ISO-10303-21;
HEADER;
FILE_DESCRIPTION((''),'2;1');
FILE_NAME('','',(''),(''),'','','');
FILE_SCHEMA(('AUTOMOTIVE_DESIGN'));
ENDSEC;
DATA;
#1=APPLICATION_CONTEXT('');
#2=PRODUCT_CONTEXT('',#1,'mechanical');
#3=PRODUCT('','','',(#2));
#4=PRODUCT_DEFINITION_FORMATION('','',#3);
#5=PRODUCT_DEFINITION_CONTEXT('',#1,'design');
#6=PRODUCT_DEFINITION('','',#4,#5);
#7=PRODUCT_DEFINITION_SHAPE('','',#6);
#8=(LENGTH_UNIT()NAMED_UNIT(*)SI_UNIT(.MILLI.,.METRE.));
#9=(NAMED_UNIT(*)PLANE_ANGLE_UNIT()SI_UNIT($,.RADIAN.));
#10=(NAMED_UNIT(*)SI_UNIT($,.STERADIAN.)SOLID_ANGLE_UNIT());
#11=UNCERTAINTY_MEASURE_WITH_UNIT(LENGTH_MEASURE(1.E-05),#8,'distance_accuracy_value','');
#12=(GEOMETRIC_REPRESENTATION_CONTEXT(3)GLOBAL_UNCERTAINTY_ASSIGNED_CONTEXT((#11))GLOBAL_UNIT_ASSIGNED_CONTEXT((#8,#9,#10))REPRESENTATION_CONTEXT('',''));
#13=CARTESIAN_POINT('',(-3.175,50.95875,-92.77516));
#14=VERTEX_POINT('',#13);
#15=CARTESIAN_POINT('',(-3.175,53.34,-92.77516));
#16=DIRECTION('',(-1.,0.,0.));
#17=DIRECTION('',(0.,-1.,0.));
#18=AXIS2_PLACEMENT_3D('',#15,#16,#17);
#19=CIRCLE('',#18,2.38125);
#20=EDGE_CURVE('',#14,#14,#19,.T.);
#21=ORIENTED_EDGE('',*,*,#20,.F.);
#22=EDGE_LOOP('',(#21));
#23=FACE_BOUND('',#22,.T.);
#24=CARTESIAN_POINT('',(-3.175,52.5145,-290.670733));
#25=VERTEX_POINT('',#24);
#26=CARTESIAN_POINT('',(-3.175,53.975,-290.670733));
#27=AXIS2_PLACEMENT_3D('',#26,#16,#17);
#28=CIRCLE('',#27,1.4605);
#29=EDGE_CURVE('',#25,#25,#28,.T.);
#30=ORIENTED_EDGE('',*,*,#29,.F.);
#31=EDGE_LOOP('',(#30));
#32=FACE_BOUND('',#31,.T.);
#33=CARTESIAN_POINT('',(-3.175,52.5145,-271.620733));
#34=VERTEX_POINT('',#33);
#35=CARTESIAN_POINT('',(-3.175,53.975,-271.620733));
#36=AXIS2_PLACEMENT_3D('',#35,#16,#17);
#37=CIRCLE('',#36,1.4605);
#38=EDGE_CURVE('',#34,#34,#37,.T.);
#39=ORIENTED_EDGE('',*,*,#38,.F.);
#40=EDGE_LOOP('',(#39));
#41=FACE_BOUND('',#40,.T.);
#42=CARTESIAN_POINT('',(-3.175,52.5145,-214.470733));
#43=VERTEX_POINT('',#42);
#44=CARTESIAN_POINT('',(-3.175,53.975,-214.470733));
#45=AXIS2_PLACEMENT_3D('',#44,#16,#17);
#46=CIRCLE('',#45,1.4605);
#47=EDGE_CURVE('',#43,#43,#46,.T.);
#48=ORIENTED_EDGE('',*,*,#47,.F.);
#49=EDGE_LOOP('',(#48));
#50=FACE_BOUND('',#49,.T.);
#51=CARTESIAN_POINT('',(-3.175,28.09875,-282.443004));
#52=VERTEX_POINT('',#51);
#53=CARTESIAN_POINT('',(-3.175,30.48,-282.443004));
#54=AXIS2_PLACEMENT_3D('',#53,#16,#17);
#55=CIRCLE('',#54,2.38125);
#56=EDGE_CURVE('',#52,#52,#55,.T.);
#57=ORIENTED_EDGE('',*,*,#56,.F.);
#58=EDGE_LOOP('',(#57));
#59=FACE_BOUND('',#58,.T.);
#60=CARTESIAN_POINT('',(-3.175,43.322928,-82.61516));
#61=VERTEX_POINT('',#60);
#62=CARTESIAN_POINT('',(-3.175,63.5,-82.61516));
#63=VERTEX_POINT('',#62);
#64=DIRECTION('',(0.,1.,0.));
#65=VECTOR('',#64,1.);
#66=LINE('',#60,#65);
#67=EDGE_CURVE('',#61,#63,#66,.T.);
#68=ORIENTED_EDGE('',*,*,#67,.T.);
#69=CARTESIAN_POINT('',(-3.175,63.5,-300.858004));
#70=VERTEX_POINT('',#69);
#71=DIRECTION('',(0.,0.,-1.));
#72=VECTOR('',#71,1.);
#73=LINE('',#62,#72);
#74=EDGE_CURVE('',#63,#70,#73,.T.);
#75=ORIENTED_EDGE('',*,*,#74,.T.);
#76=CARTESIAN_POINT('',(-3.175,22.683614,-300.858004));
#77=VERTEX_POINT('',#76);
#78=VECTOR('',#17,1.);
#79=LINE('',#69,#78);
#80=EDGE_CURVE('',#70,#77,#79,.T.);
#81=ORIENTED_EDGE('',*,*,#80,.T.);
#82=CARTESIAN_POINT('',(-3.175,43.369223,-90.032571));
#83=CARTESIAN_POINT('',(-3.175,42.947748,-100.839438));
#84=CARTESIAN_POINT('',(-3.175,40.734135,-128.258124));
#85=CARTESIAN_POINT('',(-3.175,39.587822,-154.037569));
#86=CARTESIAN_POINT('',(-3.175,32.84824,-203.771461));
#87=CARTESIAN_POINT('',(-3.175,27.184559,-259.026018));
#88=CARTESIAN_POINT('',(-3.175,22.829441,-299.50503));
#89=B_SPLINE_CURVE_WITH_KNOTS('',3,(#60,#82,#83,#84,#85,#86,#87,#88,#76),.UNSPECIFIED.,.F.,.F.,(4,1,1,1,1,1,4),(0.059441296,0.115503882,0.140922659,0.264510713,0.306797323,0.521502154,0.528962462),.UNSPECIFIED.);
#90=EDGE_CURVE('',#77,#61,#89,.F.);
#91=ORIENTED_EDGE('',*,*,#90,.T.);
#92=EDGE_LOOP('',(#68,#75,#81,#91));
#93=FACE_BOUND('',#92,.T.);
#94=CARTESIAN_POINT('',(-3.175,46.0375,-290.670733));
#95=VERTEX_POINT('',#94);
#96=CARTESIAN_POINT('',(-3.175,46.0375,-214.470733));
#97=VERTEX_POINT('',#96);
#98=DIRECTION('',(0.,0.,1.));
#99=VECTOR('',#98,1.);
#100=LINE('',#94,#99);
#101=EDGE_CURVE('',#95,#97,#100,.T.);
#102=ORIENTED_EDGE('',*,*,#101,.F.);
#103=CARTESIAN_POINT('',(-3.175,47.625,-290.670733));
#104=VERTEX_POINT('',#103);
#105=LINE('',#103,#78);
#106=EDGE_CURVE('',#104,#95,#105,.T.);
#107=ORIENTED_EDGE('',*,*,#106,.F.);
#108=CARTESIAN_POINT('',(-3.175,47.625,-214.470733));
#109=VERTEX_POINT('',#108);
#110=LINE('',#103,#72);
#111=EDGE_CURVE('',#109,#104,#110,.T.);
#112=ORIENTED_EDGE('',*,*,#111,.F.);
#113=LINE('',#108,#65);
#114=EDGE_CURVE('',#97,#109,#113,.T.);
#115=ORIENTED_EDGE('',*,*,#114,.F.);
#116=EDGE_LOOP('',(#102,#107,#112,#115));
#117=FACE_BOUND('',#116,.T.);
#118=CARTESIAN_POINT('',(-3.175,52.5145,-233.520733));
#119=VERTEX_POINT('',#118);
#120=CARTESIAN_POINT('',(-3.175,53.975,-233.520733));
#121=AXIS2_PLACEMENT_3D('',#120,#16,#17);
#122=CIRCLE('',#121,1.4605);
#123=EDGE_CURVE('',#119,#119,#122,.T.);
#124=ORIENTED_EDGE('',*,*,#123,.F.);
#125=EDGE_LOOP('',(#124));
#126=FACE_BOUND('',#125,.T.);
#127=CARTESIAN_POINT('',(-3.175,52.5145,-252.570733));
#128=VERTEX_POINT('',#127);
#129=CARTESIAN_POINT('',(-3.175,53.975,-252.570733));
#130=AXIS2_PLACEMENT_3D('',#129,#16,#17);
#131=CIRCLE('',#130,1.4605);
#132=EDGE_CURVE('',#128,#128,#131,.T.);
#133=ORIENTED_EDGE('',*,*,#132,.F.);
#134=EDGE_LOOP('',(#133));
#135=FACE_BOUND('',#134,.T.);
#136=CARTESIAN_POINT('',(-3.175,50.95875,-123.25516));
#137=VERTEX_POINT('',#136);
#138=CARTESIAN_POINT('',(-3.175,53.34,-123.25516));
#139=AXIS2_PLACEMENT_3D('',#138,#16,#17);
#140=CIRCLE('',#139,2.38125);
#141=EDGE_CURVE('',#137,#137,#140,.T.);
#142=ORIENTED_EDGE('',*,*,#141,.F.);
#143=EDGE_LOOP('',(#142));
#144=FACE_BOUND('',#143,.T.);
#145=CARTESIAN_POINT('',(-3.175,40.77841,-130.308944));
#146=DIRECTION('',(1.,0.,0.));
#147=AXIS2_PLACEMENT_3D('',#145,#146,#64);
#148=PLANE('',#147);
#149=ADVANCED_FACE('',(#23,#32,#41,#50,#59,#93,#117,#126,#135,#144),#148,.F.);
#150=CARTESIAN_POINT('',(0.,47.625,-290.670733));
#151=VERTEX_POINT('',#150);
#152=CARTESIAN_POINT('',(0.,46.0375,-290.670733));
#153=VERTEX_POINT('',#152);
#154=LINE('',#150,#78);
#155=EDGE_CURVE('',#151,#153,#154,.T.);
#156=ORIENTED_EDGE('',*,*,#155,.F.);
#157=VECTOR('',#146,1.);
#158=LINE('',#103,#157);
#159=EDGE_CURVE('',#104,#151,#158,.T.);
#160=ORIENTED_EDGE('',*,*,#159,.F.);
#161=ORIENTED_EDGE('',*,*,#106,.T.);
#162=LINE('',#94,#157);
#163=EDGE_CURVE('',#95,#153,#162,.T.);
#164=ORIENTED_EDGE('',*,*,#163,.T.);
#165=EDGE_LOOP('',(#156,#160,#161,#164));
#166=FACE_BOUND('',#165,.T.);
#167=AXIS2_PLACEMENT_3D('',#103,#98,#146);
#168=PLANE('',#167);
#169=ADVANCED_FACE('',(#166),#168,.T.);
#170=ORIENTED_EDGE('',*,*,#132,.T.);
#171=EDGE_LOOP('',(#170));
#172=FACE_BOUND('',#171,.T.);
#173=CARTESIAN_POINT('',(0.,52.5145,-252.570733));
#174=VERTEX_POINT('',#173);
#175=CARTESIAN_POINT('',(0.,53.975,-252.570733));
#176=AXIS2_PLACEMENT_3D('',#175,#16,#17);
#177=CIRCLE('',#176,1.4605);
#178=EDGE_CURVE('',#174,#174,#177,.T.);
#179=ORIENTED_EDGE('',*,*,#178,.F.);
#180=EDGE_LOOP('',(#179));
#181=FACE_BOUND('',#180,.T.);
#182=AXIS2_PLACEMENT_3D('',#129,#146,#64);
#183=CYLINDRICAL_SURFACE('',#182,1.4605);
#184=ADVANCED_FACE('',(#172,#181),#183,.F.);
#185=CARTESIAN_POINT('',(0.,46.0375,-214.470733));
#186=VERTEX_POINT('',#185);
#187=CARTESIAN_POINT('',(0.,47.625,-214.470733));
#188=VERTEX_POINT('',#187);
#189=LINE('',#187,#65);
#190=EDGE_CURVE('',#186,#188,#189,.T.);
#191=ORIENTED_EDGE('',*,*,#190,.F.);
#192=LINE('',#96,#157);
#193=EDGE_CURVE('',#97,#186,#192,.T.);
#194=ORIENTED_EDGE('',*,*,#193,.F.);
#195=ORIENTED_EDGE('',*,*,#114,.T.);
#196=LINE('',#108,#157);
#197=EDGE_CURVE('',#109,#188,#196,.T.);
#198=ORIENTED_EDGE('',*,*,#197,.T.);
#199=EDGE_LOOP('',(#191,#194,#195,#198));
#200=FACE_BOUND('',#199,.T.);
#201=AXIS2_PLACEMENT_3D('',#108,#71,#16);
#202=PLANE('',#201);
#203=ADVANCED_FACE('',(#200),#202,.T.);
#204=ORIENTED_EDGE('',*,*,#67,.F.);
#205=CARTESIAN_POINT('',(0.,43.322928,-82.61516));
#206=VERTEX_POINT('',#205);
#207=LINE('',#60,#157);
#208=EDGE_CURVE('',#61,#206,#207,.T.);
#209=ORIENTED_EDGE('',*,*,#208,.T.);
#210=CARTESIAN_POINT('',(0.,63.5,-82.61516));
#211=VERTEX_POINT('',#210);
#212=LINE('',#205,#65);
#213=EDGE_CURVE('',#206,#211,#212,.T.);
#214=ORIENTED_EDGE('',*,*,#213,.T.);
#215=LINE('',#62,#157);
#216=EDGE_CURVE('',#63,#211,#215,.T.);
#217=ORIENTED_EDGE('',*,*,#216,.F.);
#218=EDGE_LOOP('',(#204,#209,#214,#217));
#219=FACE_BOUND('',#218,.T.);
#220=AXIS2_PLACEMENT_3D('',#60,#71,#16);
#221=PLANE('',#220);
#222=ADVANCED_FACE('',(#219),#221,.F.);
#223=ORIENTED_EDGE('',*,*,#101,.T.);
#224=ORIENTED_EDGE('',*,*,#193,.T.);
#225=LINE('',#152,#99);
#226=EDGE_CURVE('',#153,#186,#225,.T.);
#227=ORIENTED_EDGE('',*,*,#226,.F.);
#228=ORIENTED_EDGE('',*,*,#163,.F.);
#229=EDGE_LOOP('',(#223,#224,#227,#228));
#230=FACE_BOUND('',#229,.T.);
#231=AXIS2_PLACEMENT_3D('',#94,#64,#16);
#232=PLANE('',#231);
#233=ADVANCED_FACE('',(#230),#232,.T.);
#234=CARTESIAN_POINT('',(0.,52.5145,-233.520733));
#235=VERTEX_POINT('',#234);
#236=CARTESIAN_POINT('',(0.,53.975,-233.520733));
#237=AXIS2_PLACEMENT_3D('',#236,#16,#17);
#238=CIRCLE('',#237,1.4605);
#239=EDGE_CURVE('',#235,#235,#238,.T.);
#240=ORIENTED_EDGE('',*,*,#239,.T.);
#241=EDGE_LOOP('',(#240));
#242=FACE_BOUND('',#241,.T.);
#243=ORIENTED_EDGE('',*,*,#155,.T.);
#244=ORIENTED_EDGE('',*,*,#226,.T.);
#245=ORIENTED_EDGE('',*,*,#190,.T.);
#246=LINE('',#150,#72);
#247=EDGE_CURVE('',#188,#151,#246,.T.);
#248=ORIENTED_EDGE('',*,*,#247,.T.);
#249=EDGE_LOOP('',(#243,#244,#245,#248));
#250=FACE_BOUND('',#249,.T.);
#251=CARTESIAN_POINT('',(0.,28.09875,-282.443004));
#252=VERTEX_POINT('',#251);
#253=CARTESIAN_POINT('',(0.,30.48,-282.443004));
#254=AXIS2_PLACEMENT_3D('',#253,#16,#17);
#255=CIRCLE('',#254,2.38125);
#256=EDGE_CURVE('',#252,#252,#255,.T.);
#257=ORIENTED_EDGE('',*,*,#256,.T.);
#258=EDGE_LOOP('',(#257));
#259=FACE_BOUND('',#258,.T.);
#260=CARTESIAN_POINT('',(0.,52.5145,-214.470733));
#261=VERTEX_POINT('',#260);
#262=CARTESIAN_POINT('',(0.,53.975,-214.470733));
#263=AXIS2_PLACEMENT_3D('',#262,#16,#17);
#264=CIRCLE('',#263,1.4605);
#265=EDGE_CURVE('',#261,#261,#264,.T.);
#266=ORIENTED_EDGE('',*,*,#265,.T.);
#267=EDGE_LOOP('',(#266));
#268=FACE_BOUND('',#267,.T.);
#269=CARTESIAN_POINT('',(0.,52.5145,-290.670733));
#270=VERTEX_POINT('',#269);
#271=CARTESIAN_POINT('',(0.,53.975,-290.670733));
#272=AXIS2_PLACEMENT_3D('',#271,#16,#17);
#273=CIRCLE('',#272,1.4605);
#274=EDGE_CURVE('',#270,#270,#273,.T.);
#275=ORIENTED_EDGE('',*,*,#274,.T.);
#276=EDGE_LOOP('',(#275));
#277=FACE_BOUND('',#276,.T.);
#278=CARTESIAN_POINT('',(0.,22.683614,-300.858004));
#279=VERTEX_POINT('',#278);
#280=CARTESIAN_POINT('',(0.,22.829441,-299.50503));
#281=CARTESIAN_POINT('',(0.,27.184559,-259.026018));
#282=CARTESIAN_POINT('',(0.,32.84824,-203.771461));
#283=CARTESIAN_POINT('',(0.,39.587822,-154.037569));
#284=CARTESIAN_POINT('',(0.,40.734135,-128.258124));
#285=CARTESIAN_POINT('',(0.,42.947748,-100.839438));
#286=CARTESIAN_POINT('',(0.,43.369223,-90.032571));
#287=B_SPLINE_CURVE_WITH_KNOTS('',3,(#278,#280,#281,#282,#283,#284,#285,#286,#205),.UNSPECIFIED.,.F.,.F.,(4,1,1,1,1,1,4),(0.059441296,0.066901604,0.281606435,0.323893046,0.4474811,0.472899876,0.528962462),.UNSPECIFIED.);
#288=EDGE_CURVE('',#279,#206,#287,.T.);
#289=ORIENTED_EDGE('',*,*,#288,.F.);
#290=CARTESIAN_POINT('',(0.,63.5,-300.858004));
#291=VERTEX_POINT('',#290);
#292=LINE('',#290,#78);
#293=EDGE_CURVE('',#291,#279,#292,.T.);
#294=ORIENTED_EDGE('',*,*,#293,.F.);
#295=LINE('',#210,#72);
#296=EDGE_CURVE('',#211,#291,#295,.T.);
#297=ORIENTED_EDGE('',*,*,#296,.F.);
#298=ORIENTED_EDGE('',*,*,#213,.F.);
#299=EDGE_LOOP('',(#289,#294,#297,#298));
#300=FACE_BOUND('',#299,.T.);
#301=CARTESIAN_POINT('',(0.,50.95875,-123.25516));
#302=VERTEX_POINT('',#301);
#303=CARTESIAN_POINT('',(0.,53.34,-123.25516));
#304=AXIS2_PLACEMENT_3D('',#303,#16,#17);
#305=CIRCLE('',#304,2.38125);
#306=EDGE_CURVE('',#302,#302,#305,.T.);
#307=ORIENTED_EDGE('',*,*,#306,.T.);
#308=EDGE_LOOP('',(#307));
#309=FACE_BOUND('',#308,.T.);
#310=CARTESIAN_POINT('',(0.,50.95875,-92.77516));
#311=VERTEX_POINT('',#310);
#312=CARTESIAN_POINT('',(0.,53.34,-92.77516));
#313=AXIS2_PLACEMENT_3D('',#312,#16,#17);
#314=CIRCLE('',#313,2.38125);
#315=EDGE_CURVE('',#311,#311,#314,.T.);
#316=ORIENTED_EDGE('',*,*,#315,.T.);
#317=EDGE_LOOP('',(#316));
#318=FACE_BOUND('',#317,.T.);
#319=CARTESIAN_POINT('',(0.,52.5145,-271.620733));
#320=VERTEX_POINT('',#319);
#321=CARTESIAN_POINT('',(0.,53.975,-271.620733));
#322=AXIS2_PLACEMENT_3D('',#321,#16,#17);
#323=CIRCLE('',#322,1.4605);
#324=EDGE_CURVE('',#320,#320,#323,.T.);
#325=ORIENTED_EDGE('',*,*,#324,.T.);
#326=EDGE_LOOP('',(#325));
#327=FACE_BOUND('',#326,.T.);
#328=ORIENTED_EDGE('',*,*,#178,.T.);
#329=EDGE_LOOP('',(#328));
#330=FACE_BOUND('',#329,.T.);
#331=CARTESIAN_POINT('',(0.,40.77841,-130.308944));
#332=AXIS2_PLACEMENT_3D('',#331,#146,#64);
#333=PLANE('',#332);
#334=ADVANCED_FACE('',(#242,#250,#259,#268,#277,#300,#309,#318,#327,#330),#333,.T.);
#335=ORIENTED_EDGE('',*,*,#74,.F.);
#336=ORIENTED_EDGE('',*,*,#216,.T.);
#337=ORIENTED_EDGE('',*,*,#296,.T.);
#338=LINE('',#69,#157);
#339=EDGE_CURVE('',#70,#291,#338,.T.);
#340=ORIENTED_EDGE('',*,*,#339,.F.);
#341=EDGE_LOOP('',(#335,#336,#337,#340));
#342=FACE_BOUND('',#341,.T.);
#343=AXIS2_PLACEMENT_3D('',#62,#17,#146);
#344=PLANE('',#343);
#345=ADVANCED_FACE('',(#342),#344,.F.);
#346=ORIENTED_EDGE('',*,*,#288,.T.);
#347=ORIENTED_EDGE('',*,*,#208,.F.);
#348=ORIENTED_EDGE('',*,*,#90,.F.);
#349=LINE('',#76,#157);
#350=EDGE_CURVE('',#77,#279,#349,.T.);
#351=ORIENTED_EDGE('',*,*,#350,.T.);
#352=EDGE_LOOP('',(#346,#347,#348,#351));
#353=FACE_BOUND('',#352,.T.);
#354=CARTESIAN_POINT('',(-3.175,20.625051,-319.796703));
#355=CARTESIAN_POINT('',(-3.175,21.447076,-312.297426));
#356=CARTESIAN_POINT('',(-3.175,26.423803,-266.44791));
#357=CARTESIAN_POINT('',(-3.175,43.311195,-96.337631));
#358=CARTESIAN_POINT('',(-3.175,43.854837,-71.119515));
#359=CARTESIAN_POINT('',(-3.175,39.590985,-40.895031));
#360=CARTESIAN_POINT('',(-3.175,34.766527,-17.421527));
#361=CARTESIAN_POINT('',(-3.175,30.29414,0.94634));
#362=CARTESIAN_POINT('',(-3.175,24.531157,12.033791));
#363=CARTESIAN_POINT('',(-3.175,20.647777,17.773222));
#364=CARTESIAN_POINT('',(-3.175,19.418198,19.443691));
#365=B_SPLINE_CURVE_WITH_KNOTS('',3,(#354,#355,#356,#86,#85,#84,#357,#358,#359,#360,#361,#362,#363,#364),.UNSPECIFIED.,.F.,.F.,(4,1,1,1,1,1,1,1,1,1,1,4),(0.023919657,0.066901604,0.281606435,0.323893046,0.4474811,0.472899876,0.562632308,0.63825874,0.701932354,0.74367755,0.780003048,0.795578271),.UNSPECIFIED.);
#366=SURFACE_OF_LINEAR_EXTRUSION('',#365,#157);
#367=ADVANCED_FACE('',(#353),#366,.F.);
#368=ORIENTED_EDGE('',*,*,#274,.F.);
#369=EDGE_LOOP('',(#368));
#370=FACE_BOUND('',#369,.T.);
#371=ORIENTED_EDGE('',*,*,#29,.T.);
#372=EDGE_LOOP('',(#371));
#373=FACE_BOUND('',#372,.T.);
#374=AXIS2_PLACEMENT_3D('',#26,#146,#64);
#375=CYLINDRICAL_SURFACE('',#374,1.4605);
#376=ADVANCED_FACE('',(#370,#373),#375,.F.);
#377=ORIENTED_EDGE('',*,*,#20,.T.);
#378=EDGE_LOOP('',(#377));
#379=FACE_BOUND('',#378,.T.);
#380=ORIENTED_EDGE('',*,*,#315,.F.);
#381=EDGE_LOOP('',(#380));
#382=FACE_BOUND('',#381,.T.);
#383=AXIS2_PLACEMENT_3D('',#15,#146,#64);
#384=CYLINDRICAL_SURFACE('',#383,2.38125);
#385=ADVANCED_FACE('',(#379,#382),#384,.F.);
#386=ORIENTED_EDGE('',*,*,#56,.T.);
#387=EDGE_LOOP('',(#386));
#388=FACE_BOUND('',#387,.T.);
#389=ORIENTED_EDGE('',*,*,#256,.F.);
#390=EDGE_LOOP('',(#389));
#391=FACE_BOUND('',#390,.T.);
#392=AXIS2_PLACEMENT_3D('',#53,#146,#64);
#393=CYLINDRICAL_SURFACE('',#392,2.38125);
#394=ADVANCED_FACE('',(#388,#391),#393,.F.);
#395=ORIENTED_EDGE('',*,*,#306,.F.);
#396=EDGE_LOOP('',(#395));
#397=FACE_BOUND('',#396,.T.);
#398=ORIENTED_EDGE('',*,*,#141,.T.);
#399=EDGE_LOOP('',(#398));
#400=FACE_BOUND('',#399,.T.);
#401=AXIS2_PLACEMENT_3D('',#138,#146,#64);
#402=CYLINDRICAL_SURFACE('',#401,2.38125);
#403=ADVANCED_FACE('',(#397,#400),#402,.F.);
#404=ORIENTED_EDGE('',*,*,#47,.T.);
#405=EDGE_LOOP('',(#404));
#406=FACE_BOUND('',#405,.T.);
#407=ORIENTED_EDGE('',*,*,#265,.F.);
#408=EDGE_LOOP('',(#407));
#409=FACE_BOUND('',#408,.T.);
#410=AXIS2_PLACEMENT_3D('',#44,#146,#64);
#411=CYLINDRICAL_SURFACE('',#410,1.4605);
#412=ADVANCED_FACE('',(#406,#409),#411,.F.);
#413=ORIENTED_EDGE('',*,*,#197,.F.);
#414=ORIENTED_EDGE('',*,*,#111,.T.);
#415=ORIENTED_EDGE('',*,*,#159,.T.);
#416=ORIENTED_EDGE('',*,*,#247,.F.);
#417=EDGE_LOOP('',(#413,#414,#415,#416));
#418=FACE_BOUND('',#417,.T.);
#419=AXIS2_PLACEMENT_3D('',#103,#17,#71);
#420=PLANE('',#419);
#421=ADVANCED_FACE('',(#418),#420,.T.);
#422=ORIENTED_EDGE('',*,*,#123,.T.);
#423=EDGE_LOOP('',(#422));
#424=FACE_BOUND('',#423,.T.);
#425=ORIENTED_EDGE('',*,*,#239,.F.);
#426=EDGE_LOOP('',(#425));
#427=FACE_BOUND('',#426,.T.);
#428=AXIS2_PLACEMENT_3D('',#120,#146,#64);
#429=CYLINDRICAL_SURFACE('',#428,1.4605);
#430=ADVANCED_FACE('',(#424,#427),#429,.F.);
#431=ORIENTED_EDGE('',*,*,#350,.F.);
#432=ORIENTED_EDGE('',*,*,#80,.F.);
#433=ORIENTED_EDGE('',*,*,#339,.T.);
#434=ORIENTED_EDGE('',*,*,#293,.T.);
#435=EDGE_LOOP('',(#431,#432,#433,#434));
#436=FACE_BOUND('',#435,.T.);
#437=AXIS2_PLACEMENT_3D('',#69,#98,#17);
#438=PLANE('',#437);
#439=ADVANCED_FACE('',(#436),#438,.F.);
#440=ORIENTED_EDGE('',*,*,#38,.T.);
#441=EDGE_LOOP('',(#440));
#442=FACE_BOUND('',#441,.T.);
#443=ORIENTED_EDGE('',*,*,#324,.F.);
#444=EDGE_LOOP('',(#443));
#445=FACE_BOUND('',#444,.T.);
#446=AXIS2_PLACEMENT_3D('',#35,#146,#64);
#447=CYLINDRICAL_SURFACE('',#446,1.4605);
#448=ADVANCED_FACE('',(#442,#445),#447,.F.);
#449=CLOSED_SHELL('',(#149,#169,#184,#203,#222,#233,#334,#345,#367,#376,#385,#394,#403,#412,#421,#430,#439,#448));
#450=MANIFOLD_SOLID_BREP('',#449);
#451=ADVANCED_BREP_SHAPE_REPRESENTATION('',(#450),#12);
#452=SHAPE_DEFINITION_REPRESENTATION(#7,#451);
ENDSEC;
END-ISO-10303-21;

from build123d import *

# Parameters (mm, degrees)
SKETCH1_R           = 1.4605
SKETCH1_R_2         = 2.38125
SKETCH1_W           = 76.2
SKETCH1_H           = 1.5875
BOSS_EXTRUDE1_DEPTH = 3.175


with BuildPart() as part:
    # Sketch1 → Boss-Extrude1 (new body)
    with BuildSketch(Plane(origin=(0, 0, -187.325), x_dir=(0, 0, 1), z_dir=(-1, 0, 0))):
        with BuildLine():
            Line((104.70984031, 63.5), (-113.533003978, 63.5))
            Line((-113.533003978, 63.5), (-113.533003978, 22.683614274))
            add(Edge.make_bspline(
                [(104.70984031, 43.322928246), (97.292428523, 43.369222767), (86.485562122, 42.947747635), (59.066875535, 40.734135472), (33.287431115, 39.5878223), (-16.446460986, 32.848239562), (-71.701017552, 27.184558545), (-112.180029797, 22.829441378), (-113.533003978, 22.683614274)],
                knots=[0.290535466, 0.290535466, 0.290535466, 0.290535466, 0.346598052, 0.372016829, 0.495604882, 0.537891493, 0.752596324, 0.760056632, 0.760056632, 0.760056632, 0.760056632], degree=3))
            Line((104.70984031, 43.322928246), (104.70984031, 63.5))
        make_face()
        with Locations(Location((-84.295733083, 53.975, 0), (0, 0, 270))):
            Circle(SKETCH1_R, mode=Mode.SUBTRACT)
        with Locations(Location((-46.195733083, 53.975, 0), (0, 0, 270))):
            Circle(SKETCH1_R, mode=Mode.SUBTRACT)
        with Locations(Location((-27.145733083, 53.975, 0), (0, 0, 270))):
            Circle(SKETCH1_R, mode=Mode.SUBTRACT)
        with Locations(Location((64.06984031, 53.34, 0), (0, 0, 270))):
            Circle(SKETCH1_R_2, mode=Mode.SUBTRACT)
        with Locations(Location((94.54984031, 53.34, 0), (0, 0, 270))):
            Circle(SKETCH1_R_2, mode=Mode.SUBTRACT)
        with Locations(Location((-103.345733083, 53.975, 0), (0, 0, 270))):
            Circle(SKETCH1_R, mode=Mode.SUBTRACT)
        with Locations(Location((-95.118003978, 30.48, 0), (0, 0, 270))):
            Circle(SKETCH1_R_2, mode=Mode.SUBTRACT)
        with Locations(Location((-65.245733083, 53.975, 0), (0, 0, 270))):
            Circle(SKETCH1_R, mode=Mode.SUBTRACT)
        with Locations((-65.245733083, 46.83125)):
            Rectangle(SKETCH1_W, SKETCH1_H, mode=Mode.SUBTRACT)
    extrude(amount=BOSS_EXTRUDE1_DEPTH)


solid = part.part
